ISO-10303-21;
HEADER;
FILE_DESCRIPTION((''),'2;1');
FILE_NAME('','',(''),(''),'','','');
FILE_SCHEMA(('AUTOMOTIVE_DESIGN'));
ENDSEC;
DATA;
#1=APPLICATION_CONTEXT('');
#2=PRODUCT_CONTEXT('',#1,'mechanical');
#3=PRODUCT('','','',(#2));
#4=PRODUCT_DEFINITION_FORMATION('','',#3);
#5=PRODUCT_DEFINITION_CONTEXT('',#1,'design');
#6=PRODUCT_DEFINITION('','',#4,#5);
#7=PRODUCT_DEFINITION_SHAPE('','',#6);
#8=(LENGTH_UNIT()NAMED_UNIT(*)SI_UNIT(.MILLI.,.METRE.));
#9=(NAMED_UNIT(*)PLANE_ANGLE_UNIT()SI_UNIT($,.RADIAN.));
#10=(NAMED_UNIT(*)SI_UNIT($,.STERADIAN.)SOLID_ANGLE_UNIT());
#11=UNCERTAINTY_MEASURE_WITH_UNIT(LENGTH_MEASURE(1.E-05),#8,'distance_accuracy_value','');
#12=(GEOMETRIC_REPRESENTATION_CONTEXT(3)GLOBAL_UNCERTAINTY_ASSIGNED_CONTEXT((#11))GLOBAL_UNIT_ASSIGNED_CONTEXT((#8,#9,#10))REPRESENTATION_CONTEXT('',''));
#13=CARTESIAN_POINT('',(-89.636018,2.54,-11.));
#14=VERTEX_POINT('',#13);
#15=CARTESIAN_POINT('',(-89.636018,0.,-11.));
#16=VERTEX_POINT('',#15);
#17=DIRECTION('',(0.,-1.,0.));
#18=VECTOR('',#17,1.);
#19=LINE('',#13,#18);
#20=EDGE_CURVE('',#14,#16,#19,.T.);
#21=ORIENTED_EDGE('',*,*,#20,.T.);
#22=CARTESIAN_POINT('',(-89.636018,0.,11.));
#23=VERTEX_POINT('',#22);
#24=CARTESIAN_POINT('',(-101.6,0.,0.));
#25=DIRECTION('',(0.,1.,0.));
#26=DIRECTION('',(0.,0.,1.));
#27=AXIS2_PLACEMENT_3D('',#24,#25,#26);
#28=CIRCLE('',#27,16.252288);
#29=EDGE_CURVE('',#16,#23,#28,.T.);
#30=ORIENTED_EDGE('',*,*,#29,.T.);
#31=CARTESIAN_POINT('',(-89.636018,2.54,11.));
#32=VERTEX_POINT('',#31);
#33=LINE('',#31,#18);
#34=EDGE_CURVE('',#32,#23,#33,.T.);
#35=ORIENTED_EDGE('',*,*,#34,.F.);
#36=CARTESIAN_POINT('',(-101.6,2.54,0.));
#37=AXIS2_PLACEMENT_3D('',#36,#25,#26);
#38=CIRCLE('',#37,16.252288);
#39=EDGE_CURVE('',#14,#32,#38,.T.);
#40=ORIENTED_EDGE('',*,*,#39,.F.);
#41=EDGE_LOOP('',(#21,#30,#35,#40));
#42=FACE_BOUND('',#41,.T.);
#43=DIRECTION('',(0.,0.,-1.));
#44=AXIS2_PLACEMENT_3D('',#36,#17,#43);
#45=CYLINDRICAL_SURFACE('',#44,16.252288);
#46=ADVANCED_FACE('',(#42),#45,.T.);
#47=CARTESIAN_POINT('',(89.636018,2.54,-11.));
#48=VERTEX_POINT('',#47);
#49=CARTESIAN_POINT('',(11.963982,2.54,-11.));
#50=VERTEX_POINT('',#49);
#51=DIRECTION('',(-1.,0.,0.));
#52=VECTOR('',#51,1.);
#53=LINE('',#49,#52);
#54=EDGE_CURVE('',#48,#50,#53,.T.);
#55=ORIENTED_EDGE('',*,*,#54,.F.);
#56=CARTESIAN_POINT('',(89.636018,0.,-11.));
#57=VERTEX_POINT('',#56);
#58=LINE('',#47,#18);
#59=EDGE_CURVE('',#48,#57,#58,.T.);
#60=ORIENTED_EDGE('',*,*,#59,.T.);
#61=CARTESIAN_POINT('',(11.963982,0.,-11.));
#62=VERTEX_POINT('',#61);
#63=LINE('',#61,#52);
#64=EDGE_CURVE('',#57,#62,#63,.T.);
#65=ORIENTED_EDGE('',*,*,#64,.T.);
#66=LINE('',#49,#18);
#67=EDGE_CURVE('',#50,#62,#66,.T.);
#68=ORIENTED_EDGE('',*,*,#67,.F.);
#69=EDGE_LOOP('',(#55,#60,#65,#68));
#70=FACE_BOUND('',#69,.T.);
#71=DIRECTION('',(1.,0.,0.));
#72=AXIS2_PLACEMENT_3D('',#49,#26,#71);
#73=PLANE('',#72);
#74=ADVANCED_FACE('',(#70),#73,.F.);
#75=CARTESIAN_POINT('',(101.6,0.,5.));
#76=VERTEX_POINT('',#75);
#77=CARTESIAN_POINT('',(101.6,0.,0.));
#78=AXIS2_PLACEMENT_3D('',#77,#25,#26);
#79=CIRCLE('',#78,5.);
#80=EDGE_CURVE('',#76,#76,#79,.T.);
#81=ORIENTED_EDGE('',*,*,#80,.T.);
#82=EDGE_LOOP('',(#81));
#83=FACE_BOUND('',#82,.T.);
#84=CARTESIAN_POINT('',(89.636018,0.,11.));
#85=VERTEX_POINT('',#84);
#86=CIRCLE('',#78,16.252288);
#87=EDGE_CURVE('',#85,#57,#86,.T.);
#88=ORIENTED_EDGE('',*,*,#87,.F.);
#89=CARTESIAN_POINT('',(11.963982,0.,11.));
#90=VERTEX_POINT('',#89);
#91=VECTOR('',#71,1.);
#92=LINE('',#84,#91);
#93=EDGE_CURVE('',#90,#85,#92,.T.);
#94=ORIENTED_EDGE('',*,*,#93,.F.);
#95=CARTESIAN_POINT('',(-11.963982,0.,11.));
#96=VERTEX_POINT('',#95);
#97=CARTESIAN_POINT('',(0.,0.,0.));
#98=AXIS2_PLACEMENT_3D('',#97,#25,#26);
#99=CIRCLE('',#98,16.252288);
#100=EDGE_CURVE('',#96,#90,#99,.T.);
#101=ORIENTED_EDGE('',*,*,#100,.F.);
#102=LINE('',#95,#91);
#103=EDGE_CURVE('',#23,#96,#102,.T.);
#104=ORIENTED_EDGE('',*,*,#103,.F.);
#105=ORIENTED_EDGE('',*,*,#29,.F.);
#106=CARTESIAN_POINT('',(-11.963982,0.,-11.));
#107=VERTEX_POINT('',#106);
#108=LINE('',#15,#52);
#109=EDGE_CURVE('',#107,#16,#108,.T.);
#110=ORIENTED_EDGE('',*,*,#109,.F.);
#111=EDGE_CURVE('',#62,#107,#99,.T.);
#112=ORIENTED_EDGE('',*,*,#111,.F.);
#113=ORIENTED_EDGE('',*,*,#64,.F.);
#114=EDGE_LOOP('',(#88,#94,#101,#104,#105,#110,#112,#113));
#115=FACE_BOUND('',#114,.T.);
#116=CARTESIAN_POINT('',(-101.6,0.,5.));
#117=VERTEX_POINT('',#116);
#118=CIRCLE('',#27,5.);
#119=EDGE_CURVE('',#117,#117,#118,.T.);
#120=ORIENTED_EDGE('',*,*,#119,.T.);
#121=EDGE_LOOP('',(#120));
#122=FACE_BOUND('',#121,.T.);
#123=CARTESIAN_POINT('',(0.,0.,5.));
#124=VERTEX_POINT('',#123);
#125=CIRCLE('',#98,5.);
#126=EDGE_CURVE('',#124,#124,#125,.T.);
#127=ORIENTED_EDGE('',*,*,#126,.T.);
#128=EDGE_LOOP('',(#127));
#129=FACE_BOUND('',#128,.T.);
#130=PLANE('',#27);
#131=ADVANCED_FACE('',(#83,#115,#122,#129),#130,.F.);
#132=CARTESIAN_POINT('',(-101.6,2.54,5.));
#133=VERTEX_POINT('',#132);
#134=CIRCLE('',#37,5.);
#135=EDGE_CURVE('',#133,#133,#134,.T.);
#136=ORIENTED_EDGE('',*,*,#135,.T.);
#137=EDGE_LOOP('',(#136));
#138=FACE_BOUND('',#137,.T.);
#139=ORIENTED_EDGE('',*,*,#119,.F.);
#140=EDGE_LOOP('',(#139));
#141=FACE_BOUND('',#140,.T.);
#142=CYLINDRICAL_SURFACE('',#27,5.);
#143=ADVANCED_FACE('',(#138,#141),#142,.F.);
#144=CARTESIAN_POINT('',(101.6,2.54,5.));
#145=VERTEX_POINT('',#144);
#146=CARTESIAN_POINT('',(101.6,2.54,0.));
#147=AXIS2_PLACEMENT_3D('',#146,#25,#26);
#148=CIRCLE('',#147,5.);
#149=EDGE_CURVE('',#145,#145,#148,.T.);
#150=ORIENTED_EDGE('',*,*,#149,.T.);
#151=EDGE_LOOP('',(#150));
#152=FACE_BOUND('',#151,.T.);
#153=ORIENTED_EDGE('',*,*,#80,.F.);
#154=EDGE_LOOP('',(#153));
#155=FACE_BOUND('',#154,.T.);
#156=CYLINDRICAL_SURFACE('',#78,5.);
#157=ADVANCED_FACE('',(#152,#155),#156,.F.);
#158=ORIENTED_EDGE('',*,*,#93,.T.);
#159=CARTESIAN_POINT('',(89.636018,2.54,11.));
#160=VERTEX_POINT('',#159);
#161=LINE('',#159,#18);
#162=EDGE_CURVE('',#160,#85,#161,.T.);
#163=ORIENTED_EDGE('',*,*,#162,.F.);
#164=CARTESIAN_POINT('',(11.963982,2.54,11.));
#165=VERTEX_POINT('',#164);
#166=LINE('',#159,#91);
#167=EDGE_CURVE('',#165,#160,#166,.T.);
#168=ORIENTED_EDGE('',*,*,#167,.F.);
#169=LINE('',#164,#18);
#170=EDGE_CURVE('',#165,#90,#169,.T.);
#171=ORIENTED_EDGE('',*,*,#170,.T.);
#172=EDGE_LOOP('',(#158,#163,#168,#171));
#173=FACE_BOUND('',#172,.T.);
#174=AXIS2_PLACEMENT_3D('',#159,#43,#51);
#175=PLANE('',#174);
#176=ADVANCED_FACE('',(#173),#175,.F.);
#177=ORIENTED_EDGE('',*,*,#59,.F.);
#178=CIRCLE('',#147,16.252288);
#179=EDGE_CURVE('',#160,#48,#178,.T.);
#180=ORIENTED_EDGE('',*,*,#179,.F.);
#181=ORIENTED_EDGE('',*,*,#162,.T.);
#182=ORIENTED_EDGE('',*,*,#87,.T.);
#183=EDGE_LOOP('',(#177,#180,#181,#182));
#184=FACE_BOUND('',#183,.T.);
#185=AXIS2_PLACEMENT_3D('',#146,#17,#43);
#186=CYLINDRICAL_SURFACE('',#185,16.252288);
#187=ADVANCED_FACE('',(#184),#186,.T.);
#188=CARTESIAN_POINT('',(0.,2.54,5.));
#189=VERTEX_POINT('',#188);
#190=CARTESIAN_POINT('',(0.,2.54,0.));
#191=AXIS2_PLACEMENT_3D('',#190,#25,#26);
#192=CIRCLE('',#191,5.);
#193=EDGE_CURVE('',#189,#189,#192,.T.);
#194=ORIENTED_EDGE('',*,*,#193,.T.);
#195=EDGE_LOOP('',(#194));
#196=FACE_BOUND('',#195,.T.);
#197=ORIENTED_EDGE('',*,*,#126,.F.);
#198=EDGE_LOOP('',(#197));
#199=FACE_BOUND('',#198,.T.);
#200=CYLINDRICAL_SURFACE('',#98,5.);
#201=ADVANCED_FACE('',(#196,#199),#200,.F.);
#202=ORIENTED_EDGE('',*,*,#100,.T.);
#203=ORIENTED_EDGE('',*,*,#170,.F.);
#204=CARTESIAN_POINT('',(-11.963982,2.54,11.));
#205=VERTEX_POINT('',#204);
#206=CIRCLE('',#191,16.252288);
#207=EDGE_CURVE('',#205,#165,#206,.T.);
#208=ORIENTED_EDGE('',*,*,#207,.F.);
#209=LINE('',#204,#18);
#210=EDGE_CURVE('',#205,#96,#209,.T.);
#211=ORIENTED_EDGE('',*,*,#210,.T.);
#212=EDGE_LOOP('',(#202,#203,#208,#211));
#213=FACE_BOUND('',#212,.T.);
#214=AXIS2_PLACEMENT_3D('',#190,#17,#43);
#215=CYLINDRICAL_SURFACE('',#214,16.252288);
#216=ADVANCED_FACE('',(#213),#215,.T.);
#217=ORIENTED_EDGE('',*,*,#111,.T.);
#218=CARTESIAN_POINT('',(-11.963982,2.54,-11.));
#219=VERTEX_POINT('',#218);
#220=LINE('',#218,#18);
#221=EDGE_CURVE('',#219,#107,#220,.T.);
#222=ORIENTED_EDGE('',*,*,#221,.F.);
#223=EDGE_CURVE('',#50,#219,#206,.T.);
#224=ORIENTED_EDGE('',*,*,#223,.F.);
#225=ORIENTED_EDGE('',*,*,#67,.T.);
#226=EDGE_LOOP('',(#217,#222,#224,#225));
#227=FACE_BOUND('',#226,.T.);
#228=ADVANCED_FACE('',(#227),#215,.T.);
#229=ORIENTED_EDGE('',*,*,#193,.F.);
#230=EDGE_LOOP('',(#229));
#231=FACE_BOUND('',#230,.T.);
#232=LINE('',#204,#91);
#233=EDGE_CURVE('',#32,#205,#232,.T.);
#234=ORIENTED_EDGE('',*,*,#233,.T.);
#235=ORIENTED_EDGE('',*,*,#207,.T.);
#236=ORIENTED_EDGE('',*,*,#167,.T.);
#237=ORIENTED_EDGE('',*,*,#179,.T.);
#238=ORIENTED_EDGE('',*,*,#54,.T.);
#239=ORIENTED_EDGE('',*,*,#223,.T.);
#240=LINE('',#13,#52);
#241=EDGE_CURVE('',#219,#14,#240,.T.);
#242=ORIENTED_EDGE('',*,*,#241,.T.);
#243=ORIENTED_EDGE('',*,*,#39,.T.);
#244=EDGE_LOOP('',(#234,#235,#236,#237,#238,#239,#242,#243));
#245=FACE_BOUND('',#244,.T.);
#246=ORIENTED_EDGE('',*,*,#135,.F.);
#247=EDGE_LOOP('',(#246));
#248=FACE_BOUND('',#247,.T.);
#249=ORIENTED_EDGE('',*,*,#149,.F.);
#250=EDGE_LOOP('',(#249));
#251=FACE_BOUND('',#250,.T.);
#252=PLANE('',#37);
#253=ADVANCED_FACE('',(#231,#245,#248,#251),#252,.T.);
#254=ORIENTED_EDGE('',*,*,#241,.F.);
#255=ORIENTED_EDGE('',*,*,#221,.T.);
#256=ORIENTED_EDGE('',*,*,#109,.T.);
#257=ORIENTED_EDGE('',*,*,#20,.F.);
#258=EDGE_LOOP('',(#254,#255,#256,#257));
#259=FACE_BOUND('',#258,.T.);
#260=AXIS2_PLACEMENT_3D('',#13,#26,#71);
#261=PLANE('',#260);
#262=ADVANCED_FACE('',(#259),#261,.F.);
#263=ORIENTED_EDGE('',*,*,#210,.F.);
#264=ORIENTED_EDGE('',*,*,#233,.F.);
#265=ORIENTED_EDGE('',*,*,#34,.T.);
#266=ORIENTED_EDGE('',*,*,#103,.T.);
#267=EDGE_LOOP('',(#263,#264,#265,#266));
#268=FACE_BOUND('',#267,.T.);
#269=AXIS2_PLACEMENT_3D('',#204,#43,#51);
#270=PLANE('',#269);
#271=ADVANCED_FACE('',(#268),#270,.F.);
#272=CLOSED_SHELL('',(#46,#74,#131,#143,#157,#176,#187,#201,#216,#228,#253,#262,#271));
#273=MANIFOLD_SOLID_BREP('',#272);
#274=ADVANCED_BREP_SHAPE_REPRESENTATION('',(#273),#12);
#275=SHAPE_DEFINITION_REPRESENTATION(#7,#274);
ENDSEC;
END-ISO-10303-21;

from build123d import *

# Parameters (mm, degrees)
BOSS_EXTRUDE1_DEPTH     = 2.54
SKETCH2_R               = 5
CUT_EXTRUDE1_DEPTH      = 1
CUT_EXTRUDE1_DEPTH_BACK = 3.54


with BuildPart() as part:
    # Sketch1 → Boss-Extrude1 (new body)
    with BuildSketch(Plane(origin=(0, 0, 0), x_dir=(1, 0, 0), z_dir=(0, 1, 0))):
        with BuildLine():
            Line((-89.636017598, 11), (-11.963982402, 11))
            ThreePointArc((-11.963982402, 11), (0, 16.252288298), (11.963982402, 11))
            Line((11.963982402, 11), (89.636017598, 11))
            ThreePointArc((89.636017598, 11), (117.852288298, 0), (89.636017598, -11))
            Line((89.636017598, -11), (11.963982402, -11))
            ThreePointArc((11.963982402, -11), (0, -16.252288298), (-11.963982402, -11))
            Line((-11.963982402, -11), (-89.636017598, -11))
            ThreePointArc((-89.636017598, -11), (-117.852288298, 0), (-89.636017598, 11))
        make_face()
    extrude(amount=BOSS_EXTRUDE1_DEPTH)

    # Sketch2 → Cut-Extrude1 (cut, two sides)
    with BuildSketch(Plane(origin=(0, 2.54, 0), x_dir=(1, 0, 0), z_dir=(0, 1, 0))) as cut_extrude1_sk:
        with Locations((-101.6, 0)):
            Circle(SKETCH2_R)
        with Locations((101.6, 0)):
            Circle(SKETCH2_R)
        Circle(SKETCH2_R)
    extrude(amount=CUT_EXTRUDE1_DEPTH, mode=Mode.SUBTRACT)
    extrude(cut_extrude1_sk.sketch, amount=-CUT_EXTRUDE1_DEPTH_BACK, mode=Mode.SUBTRACT)


solid = part.part
